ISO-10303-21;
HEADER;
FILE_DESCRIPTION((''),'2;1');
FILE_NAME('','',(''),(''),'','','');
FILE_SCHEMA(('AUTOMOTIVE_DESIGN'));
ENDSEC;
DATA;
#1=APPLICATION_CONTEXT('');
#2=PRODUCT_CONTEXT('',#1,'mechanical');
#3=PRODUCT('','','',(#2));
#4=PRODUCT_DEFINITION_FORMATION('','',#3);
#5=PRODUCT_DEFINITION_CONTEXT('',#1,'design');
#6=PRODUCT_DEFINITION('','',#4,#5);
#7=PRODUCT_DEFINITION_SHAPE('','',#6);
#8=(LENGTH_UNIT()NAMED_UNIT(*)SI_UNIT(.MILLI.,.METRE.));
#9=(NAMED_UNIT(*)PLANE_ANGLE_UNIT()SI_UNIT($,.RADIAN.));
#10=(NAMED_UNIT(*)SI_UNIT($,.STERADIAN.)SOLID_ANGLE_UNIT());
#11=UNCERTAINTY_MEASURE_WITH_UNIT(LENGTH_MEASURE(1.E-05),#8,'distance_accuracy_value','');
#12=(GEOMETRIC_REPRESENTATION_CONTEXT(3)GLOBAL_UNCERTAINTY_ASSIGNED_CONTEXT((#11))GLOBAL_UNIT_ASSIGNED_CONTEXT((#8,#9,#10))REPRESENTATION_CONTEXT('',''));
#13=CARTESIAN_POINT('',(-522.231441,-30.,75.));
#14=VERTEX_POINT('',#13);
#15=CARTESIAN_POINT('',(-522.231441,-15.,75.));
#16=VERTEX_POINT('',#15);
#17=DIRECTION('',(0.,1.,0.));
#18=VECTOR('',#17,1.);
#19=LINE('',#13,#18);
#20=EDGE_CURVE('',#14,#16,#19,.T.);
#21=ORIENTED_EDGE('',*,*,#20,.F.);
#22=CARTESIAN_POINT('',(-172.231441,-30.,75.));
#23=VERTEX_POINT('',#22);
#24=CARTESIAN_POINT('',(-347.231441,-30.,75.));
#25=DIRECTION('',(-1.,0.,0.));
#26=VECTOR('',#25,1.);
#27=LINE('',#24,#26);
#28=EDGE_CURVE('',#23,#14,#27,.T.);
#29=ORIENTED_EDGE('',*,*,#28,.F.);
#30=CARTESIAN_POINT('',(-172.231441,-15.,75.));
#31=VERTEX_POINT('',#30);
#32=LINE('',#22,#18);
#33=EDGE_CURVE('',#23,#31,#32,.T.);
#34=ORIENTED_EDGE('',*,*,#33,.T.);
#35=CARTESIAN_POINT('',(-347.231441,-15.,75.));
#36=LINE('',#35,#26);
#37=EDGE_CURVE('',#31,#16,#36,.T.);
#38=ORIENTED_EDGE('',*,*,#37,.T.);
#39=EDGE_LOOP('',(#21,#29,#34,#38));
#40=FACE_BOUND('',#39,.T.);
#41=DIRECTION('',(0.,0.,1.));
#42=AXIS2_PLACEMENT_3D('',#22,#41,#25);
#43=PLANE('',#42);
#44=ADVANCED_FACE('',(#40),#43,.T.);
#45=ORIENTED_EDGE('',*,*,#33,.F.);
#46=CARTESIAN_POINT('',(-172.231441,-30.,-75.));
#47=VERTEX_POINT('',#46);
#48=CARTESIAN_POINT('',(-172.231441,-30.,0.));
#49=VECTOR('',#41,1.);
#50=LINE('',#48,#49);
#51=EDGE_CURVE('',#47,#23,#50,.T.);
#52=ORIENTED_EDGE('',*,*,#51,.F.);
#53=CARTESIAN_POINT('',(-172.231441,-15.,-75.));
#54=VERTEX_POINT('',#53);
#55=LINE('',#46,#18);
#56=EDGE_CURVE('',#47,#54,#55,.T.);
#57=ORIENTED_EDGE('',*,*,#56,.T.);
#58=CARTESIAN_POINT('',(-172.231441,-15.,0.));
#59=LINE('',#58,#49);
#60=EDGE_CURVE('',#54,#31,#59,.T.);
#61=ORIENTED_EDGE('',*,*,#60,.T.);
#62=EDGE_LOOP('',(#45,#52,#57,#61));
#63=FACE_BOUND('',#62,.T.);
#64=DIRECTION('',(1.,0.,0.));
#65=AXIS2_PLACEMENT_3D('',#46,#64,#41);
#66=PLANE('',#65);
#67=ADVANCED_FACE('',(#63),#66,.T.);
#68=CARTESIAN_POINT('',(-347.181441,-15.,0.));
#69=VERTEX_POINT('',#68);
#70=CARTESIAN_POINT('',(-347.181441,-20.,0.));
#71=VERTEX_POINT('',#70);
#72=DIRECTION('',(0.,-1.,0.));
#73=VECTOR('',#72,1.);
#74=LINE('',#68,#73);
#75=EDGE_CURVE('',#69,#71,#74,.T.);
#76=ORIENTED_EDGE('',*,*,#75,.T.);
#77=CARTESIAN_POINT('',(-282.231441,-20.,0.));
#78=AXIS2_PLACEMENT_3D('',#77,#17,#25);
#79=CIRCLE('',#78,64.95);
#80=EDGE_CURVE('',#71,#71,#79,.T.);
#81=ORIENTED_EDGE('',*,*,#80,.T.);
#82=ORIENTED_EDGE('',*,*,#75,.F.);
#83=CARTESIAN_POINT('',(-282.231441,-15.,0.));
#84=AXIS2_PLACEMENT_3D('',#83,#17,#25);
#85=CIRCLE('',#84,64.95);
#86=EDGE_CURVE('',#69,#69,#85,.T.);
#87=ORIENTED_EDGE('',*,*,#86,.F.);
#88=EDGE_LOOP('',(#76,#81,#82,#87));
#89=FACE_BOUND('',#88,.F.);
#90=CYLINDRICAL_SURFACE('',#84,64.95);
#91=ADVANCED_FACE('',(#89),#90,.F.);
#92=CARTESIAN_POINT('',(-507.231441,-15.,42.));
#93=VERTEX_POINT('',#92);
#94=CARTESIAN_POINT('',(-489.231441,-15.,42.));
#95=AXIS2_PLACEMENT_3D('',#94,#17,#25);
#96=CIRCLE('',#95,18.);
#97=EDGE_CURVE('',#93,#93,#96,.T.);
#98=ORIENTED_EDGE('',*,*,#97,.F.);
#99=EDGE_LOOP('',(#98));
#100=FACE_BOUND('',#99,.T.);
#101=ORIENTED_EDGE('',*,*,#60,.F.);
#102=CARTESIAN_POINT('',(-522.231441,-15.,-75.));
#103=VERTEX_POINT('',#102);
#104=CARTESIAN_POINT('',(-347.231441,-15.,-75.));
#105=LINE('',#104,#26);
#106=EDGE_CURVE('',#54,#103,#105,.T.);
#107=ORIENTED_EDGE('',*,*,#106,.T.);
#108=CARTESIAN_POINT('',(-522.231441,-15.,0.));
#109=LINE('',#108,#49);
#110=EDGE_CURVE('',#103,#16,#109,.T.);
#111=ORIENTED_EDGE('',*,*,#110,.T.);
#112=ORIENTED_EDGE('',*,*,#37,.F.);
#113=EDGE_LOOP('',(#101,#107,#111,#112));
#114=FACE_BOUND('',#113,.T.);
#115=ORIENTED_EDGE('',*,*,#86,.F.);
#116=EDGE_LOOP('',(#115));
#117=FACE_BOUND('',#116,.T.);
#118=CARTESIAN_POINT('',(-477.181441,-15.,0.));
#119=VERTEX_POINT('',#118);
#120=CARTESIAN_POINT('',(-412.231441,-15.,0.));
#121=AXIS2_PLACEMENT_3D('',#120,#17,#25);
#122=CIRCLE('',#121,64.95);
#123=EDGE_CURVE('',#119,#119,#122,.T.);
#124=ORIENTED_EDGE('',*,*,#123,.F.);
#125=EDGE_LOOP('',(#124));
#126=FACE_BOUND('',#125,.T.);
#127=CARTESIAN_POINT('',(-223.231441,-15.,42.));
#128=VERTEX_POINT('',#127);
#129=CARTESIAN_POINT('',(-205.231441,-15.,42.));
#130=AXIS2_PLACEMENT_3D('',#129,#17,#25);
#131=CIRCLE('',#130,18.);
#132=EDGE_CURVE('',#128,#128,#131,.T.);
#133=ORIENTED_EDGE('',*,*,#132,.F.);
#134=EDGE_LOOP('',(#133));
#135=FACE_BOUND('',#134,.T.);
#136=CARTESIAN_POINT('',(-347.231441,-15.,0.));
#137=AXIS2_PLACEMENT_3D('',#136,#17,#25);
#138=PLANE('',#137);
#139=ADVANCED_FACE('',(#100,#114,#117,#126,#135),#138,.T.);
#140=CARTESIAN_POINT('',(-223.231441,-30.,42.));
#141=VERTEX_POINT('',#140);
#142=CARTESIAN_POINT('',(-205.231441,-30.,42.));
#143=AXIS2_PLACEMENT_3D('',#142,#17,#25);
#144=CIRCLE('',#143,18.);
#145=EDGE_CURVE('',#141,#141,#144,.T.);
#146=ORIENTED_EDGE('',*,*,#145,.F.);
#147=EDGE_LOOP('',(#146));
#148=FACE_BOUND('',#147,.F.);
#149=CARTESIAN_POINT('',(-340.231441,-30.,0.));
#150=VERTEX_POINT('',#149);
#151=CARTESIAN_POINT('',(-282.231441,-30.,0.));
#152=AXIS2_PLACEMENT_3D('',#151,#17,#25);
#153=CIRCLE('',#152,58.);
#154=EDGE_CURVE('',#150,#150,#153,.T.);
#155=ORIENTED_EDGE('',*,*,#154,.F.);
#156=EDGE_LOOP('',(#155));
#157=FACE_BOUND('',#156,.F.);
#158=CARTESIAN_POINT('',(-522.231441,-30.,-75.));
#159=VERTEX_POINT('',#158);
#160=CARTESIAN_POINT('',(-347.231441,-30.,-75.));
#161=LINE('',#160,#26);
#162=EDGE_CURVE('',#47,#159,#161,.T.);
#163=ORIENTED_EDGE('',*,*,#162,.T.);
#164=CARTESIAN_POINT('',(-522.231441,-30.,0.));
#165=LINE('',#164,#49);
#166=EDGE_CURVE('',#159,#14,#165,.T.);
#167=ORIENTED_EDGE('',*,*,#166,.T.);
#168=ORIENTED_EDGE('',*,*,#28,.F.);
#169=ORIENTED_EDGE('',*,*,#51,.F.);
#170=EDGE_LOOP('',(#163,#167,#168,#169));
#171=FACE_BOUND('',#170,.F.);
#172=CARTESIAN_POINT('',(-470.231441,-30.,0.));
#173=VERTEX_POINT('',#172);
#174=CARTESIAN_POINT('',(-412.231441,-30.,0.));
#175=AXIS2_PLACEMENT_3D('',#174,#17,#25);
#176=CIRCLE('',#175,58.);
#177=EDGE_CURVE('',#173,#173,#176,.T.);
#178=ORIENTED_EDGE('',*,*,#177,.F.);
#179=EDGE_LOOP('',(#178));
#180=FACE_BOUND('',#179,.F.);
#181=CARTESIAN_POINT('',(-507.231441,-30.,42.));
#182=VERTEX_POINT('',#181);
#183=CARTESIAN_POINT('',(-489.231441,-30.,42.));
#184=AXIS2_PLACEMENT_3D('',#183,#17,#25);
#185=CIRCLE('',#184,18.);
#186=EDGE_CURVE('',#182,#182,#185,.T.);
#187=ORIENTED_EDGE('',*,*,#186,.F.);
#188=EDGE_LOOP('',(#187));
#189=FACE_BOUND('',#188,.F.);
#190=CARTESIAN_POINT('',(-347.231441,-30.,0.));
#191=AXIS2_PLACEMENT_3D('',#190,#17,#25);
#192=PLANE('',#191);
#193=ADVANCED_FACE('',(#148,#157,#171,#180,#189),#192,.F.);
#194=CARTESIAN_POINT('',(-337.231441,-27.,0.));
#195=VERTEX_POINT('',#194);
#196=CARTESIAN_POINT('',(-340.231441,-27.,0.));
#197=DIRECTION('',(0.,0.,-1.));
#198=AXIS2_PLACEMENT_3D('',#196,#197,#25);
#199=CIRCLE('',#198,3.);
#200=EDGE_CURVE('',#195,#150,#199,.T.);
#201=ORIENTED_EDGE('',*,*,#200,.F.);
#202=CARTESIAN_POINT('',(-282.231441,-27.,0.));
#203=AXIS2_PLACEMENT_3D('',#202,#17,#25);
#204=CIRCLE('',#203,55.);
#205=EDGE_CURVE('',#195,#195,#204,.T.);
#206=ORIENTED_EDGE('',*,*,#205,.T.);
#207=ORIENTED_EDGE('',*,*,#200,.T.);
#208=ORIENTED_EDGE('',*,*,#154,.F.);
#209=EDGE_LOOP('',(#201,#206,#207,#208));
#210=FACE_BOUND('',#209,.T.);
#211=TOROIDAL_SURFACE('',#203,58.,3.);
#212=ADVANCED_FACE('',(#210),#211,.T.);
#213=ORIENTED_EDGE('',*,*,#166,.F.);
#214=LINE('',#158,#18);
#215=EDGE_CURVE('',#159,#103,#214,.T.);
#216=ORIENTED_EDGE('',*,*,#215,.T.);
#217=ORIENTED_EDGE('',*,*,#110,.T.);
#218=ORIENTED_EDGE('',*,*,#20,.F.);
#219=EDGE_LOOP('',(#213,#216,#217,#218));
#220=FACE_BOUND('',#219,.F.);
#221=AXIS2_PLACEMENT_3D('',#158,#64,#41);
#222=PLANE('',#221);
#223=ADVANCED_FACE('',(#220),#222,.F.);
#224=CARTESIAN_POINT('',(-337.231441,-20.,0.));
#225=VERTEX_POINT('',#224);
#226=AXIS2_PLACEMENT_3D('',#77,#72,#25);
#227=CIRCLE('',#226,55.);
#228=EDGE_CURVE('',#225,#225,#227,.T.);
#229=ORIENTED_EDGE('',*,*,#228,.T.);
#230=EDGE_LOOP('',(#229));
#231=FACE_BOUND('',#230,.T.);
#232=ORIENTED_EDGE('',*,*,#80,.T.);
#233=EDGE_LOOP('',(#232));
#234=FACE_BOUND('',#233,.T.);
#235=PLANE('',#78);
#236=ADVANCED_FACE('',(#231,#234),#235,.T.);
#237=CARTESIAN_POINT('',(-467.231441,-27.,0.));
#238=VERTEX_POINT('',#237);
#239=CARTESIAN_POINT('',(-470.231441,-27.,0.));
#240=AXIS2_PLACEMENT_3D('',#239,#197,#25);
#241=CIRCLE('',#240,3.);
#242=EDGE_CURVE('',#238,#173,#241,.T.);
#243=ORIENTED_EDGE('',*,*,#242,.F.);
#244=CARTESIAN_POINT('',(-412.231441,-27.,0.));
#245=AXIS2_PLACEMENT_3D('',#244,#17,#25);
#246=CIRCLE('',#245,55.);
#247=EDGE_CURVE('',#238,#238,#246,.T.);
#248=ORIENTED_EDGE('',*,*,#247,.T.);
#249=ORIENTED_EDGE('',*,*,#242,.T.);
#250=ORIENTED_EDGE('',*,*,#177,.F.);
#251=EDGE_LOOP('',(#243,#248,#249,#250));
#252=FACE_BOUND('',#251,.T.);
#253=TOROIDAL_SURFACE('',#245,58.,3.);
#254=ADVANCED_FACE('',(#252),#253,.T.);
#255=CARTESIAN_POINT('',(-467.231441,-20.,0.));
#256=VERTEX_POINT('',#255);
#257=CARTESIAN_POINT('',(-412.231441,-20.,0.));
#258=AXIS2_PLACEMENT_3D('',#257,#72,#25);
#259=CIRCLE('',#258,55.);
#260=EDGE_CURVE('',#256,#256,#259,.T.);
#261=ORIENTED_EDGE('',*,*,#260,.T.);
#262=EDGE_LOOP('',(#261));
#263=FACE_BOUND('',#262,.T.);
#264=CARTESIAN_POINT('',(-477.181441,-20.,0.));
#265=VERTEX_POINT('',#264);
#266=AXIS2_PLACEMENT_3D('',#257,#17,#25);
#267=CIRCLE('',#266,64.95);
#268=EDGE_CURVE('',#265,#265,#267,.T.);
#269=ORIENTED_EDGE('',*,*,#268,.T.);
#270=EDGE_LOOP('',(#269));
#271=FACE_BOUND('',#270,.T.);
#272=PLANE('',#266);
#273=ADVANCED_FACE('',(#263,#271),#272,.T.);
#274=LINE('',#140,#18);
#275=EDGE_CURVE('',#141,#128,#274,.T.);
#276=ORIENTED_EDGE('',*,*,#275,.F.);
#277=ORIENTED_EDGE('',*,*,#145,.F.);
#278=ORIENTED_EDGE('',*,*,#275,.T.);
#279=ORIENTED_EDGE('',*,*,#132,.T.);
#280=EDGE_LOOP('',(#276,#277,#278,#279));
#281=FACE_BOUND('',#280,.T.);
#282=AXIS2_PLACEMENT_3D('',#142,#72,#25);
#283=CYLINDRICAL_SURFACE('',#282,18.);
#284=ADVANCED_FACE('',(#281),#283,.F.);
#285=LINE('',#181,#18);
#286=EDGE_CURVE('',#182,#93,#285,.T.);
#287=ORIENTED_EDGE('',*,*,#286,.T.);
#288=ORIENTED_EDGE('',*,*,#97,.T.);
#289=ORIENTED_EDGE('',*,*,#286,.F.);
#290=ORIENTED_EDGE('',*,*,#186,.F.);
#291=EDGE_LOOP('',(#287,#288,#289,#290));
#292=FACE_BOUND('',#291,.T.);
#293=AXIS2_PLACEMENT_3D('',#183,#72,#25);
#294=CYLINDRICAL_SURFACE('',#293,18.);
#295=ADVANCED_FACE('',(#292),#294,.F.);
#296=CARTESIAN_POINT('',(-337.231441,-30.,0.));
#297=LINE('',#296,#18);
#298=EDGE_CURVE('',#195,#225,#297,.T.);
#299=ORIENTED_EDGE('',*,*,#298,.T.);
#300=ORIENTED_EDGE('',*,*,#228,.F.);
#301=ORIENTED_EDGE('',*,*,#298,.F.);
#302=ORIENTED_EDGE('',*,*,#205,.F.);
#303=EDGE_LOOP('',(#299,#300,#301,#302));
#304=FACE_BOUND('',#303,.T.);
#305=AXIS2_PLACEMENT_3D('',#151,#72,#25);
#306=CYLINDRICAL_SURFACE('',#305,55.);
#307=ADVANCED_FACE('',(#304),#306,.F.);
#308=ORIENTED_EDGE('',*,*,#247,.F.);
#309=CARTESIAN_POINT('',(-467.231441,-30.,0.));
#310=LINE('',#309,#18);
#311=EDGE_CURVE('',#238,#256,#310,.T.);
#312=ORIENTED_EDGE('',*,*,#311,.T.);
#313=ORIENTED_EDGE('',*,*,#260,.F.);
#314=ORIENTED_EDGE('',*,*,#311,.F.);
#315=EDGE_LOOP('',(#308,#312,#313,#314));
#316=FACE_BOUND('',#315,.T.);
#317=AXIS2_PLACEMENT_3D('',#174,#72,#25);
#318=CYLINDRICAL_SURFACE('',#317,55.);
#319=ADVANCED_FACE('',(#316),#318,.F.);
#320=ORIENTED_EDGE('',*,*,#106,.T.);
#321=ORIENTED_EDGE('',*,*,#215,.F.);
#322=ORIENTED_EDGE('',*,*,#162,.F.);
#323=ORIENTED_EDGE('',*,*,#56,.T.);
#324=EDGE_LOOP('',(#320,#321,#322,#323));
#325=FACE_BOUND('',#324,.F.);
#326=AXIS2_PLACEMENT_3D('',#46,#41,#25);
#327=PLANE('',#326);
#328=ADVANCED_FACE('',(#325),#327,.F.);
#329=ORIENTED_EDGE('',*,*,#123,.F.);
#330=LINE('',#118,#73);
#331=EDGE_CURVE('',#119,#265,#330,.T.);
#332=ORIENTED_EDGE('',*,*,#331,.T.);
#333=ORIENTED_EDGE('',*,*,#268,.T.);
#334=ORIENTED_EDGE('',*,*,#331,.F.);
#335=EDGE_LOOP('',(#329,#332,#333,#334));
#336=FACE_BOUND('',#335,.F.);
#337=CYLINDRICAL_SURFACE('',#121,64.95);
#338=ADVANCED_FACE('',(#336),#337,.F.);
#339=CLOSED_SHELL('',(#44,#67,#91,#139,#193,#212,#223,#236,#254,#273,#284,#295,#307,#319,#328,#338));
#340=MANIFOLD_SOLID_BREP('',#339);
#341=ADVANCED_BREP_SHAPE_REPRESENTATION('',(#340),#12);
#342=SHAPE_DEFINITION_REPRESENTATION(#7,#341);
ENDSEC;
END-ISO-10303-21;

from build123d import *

# Parameters (mm, degrees)
F0_W     = 350
F0_H     = 150
F0_R     = 55
F0_R_2   = 18
F1_DEPTH = 15
F2_R     = 3
F3_ANGLE = 180
F4_R     = 64.95
F5_DEPTH = 5


with BuildPart() as f1:
    # F0 (on Front) → F1 (new body)
    with BuildSketch(Plane.XZ):
        with Locations((2.768559, 0)):
            Rectangle(F0_W, F0_H)
        with Locations((-62.231441, 0)):
            Circle(F0_R, mode=Mode.SUBTRACT)
        with Locations((-139.231441, 42)):
            Circle(F0_R_2, mode=Mode.SUBTRACT)
        with Locations((67.768559, 0)):
            Circle(F0_R, mode=Mode.SUBTRACT)
        with Locations((144.768559, 42)):
            Circle(F0_R_2, mode=Mode.SUBTRACT)
    extrude(amount=F1_DEPTH)

    # F2
    f2_edges = [f1.edges().sort_by_distance(p)[0] for p in [
        (-117.231441, 0, 0),
        (12.768559, 0, 0),
    ]]
    fillet(f2_edges, radius=F2_R)


with BuildPart() as f1_1:
    # F3: moved
    add(f1.part.rotate(Axis((-172.231441, -15, 0), (0, 0, 1)), F3_ANGLE))

    # F4 (on face) → F5 (cut)
    with BuildSketch(Plane(origin=(0, -15, 0), x_dir=(-1, 0, 0), z_dir=(0, 1, 0))):
        with Locations((282.231441, 0)):
            Circle(F4_R)
        with Locations((412.231441, 0)):
            Circle(F4_R)
    extrude(amount=-F5_DEPTH, mode=Mode.SUBTRACT)


solid = f1_1.part
